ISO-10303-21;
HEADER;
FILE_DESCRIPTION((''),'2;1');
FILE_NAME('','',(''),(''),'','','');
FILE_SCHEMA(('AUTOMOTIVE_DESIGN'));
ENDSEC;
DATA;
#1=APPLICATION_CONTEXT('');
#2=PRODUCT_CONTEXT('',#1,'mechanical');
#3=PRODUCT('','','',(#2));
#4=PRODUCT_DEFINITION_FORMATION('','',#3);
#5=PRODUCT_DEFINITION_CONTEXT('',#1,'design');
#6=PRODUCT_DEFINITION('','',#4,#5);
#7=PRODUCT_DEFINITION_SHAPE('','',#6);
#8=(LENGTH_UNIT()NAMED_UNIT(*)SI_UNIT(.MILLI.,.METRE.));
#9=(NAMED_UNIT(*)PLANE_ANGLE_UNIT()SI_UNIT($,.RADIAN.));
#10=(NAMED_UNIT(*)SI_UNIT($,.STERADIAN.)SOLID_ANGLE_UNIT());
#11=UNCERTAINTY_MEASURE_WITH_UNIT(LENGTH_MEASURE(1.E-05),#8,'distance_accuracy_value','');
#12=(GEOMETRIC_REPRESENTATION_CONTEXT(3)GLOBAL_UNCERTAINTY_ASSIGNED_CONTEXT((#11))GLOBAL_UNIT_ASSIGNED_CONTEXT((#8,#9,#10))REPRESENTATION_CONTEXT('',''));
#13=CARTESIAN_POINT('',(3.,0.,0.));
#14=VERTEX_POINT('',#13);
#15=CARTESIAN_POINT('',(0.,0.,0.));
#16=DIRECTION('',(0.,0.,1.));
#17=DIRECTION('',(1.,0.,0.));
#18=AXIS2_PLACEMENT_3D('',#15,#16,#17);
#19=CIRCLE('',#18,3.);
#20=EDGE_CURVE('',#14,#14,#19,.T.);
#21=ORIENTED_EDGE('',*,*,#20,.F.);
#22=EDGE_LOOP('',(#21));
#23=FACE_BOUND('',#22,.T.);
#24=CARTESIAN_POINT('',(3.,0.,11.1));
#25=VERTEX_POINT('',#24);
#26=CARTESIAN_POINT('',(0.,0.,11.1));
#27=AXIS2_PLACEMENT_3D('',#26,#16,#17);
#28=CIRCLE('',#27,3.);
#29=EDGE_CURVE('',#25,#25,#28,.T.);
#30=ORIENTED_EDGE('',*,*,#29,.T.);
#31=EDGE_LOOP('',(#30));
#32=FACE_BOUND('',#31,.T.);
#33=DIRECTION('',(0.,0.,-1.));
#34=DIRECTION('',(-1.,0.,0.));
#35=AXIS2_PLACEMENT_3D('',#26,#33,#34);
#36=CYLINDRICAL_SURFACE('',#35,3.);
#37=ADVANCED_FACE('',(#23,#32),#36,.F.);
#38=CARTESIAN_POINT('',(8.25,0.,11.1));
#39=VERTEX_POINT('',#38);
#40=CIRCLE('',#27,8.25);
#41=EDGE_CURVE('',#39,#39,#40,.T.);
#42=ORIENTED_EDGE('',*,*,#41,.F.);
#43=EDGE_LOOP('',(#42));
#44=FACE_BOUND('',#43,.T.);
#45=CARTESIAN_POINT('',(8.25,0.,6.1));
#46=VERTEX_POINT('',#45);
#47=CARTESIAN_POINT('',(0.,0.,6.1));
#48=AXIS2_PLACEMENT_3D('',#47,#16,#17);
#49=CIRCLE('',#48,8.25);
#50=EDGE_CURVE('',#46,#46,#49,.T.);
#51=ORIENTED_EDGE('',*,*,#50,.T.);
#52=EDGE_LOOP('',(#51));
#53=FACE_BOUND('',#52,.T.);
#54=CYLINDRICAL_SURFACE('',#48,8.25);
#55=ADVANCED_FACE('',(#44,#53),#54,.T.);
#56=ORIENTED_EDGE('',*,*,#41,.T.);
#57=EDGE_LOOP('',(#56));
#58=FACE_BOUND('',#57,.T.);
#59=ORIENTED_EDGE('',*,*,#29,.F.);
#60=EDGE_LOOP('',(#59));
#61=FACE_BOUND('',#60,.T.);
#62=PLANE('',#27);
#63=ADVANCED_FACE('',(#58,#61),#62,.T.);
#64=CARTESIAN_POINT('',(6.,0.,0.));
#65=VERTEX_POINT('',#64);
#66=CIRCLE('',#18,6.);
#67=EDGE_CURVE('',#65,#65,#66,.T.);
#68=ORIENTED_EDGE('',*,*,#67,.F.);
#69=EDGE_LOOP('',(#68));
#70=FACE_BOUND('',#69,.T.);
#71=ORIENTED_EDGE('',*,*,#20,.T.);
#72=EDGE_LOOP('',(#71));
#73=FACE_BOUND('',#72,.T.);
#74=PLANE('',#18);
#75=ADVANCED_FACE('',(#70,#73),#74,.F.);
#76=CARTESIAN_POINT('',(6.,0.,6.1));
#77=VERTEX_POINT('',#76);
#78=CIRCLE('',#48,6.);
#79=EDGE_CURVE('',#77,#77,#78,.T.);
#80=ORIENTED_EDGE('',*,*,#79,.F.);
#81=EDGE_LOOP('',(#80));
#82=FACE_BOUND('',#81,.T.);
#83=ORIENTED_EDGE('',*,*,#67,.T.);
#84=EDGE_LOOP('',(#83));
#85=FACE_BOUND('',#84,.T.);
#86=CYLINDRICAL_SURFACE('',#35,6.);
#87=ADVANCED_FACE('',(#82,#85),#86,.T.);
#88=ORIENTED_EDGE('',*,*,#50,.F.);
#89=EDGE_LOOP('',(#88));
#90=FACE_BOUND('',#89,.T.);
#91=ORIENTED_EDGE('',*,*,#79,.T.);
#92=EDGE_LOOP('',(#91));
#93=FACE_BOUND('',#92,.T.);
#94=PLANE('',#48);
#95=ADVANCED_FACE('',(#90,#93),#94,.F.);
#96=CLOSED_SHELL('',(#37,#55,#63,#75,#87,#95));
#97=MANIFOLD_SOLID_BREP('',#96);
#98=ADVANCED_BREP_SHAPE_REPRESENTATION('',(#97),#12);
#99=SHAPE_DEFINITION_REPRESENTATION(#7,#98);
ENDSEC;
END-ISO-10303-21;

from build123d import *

# Parameters (mm, degrees)
IZIM1_R                     = 6
IZIM1_R_2                   = 3
Y_KSEKLIK_EKSTR_ZYON1_DEPTH = 11.1
Y_KSEKLIK_EKSTR_ZYON2_START = -5
IZIM2_R                     = 8.25
IZIM2_R_2                   = 3
Y_KSEKLIK_EKSTR_ZYON2_DEPTH = 5


with BuildPart() as part:
    # Çizim1 → Yükseklik-Ekstrüzyon1 (new body)
    with BuildSketch(Plane.XY):
        Circle(IZIM1_R)
        Circle(IZIM1_R_2, mode=Mode.SUBTRACT)
    extrude(amount=Y_KSEKLIK_EKSTR_ZYON1_DEPTH)

    # Çizim2 → Yükseklik-Ekstrüzyon2 (add)
    with BuildSketch(Plane.XY.offset(11.1).offset(Y_KSEKLIK_EKSTR_ZYON2_START)):
        Circle(IZIM2_R)
        Circle(IZIM2_R_2, mode=Mode.SUBTRACT)
    extrude(amount=Y_KSEKLIK_EKSTR_ZYON2_DEPTH)


solid = part.part
